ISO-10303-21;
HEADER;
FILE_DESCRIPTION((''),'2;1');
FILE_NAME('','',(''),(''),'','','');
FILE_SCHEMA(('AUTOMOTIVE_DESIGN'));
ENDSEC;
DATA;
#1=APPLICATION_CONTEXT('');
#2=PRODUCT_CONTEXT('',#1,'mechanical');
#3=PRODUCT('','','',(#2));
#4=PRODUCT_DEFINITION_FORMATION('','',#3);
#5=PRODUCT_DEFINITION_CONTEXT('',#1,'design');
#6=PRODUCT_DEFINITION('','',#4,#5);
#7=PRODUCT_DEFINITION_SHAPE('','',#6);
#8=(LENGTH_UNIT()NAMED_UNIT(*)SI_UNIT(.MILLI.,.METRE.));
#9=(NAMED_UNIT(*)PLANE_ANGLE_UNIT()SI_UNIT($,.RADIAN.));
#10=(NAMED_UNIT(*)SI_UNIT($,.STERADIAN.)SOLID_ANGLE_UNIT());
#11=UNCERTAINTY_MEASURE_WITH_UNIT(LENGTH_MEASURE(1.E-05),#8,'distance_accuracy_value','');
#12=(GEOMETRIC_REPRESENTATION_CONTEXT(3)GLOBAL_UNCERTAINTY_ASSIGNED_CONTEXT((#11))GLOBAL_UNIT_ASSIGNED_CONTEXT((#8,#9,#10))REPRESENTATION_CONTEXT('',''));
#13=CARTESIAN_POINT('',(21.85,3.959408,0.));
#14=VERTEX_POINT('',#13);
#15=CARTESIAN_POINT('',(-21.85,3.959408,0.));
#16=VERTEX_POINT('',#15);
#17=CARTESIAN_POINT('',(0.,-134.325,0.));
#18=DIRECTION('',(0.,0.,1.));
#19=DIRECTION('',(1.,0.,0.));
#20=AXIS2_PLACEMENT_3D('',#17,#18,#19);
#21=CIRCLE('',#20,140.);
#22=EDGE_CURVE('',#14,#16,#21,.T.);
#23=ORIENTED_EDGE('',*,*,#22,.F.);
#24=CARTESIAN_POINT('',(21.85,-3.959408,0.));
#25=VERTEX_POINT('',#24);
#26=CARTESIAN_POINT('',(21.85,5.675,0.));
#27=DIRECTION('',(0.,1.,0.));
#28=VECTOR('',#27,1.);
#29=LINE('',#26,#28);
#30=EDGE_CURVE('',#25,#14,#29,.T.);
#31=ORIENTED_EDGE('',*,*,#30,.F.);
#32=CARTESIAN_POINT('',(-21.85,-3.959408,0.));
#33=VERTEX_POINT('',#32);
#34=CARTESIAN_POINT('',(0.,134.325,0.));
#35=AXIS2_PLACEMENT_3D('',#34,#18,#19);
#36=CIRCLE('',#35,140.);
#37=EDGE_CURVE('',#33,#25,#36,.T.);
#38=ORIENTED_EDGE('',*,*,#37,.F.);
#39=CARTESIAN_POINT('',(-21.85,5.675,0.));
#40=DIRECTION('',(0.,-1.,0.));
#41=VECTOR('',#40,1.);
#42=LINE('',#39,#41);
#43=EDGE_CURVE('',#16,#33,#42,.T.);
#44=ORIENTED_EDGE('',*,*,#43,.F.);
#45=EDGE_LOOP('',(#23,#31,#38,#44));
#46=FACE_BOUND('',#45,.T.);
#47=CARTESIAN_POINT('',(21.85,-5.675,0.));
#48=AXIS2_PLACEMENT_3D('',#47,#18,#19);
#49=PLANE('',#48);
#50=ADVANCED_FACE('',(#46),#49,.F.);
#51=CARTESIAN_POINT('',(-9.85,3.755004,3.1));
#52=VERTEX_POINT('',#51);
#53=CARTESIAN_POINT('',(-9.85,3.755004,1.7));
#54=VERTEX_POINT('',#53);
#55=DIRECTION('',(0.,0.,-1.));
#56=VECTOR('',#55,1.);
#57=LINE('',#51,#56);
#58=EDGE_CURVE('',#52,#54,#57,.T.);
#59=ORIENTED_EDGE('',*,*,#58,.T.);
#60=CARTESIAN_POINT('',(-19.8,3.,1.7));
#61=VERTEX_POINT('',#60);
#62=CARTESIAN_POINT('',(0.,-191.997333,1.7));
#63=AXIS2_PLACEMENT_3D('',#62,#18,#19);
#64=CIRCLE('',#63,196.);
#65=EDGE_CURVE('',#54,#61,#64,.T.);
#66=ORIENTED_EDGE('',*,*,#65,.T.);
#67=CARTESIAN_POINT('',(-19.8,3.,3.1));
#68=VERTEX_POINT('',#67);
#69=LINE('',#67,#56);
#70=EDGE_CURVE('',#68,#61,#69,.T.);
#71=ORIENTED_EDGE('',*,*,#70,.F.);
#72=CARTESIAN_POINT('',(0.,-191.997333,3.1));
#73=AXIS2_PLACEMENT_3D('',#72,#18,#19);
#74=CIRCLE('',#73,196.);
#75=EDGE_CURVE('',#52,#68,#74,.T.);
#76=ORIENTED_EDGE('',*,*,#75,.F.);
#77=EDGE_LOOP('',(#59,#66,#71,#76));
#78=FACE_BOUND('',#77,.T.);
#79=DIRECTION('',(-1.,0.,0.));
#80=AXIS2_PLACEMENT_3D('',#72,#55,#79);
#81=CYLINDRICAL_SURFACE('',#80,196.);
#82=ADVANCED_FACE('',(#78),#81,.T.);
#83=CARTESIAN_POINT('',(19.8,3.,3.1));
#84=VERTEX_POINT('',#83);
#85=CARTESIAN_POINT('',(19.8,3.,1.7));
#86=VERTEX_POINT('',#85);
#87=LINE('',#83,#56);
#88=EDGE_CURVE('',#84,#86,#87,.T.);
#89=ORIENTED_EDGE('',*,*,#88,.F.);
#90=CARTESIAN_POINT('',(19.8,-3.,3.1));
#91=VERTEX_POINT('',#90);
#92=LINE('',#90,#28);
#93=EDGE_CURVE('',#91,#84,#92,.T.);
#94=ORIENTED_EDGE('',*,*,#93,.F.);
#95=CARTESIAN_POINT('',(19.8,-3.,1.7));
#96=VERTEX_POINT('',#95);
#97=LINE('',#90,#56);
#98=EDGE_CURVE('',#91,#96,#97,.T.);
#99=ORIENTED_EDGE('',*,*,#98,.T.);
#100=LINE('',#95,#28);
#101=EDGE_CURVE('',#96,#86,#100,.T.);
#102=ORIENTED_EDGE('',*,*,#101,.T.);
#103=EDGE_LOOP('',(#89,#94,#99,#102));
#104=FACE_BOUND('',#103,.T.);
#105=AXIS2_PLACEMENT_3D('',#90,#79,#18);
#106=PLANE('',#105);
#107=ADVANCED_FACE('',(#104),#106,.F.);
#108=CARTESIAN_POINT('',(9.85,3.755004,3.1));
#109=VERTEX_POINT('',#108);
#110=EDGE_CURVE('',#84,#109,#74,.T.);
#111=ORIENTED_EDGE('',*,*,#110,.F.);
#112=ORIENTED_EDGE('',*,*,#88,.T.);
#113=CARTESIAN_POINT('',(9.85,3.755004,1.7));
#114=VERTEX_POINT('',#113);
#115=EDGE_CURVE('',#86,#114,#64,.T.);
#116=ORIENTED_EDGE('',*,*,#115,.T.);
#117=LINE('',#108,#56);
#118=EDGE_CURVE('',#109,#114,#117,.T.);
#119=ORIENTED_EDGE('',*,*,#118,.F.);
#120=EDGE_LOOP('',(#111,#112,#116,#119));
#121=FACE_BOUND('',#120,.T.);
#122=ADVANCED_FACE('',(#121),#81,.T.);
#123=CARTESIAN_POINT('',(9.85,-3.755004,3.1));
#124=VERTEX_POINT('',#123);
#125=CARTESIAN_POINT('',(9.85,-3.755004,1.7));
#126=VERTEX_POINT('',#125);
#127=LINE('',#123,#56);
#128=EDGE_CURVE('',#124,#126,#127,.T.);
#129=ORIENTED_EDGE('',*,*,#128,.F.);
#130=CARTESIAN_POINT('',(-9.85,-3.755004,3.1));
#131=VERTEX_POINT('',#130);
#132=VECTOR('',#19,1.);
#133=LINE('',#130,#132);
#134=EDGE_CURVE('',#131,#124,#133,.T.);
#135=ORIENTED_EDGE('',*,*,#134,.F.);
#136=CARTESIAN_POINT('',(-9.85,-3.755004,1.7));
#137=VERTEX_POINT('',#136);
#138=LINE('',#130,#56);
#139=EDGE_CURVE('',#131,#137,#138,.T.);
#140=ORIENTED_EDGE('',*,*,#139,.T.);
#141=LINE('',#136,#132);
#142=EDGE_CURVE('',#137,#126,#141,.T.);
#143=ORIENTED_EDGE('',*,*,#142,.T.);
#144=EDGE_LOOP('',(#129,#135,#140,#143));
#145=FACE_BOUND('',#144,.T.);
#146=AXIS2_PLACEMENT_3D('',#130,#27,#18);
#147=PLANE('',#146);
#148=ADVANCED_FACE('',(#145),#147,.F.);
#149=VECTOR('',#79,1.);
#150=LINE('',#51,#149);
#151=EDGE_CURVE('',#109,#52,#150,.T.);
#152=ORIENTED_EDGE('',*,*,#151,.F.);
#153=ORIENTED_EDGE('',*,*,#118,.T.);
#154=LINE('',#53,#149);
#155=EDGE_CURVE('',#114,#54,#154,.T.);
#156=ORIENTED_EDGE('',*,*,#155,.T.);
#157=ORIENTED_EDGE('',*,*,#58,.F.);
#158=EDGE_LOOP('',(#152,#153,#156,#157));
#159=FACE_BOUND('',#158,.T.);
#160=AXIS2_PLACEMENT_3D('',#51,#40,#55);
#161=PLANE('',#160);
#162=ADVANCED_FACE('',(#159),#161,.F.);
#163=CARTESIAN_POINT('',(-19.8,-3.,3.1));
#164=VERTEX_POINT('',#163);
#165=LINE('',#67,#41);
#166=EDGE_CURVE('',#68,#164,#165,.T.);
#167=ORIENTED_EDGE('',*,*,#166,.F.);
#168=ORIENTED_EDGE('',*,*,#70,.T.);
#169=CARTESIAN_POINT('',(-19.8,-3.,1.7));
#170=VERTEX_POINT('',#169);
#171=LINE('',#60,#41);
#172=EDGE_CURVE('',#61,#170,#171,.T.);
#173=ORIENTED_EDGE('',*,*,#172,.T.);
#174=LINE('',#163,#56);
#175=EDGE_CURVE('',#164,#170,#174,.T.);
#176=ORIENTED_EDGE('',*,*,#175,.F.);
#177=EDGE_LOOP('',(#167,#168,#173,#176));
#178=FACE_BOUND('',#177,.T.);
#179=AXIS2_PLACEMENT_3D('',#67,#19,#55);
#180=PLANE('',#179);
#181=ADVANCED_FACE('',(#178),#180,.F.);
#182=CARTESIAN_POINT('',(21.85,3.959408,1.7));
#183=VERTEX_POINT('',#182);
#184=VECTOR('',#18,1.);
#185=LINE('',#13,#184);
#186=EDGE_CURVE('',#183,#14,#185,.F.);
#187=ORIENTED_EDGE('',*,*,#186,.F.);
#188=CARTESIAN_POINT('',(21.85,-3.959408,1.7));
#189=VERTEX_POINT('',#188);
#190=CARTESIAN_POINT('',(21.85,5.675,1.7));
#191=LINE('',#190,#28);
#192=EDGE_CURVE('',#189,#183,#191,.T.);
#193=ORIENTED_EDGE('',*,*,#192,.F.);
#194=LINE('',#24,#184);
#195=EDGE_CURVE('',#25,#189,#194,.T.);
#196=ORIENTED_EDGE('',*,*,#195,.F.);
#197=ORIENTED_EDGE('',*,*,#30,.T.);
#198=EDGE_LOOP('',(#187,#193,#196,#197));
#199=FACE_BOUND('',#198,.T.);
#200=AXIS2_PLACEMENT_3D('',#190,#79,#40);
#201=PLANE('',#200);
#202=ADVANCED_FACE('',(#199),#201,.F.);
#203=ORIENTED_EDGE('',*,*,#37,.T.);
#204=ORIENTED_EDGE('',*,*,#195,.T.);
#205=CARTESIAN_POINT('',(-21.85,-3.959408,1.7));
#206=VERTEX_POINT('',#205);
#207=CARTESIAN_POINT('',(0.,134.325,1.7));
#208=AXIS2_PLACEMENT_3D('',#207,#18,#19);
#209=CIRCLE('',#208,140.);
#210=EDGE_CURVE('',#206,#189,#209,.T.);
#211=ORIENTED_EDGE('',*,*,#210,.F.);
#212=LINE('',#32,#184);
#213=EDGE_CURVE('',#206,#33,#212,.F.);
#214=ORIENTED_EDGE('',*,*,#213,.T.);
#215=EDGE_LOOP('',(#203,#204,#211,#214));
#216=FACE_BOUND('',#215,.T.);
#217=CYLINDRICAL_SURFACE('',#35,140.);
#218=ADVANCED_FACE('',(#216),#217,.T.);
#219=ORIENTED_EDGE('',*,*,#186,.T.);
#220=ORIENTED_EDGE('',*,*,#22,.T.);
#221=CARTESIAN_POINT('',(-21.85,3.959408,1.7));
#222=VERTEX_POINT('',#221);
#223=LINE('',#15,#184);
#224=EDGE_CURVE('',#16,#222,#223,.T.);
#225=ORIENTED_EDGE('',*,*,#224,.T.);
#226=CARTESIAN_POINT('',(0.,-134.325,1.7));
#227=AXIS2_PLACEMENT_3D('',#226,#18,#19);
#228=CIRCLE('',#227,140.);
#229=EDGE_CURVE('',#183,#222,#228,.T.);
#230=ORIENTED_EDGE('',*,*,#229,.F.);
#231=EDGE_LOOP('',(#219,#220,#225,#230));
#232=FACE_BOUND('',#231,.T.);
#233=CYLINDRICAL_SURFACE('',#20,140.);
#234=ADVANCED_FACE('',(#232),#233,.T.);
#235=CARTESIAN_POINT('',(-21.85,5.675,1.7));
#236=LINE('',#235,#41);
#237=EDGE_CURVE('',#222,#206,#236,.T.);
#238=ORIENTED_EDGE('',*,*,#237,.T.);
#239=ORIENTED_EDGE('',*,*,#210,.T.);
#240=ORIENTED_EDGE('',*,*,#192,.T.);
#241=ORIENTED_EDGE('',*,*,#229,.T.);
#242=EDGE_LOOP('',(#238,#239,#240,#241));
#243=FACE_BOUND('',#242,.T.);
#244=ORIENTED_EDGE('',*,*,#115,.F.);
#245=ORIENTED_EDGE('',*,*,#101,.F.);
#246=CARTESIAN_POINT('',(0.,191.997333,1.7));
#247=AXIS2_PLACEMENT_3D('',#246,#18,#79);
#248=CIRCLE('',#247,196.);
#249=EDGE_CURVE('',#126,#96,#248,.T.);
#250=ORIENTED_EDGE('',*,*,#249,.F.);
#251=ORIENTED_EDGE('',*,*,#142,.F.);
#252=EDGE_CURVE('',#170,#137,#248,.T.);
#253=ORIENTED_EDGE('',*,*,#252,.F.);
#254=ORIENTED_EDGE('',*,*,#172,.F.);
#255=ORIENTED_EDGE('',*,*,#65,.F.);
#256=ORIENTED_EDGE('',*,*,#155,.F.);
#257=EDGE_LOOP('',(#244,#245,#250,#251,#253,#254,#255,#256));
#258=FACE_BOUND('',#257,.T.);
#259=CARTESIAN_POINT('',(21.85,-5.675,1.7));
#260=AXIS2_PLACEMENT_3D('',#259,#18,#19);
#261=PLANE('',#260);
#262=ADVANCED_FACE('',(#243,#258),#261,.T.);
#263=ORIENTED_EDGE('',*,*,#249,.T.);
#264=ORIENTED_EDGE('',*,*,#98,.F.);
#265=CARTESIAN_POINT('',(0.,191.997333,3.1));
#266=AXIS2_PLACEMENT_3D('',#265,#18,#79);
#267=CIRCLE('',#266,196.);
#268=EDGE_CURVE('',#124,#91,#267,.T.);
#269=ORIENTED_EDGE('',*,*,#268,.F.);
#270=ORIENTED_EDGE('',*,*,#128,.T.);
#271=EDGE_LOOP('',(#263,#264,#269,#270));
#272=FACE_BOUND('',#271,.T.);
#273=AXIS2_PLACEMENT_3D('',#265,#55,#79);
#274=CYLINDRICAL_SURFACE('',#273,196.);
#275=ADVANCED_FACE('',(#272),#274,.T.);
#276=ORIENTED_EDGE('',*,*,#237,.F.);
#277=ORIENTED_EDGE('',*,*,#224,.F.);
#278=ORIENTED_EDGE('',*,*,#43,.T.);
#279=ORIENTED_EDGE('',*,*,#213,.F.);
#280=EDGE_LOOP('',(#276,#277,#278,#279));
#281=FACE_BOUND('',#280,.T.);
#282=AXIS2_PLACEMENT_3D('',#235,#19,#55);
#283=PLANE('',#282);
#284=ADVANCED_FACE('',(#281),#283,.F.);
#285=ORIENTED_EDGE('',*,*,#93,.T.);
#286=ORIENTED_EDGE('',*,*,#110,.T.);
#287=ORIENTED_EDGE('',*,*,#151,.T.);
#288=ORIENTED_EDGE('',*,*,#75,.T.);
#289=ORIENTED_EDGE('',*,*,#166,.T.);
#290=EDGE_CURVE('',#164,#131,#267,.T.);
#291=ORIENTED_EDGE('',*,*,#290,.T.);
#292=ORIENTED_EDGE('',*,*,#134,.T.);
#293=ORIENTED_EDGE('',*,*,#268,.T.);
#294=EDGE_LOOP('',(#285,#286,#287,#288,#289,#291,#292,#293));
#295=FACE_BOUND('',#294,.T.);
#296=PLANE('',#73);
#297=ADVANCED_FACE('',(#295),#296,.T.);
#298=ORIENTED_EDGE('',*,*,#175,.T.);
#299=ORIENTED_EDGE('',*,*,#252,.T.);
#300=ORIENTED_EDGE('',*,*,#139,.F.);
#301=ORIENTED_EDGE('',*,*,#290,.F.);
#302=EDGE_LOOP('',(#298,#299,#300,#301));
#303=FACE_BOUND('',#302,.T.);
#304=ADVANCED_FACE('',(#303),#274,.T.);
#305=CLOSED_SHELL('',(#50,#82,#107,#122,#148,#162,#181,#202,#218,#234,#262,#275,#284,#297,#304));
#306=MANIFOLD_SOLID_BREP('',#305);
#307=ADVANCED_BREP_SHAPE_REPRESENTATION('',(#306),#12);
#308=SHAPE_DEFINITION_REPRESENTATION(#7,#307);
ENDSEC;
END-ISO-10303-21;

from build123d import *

# Parameters (mm, degrees)
SKETCH_1_W          = 43.7
SKETCH_1_H          = 11.35
EXTRUDE_1_DEPTH     = 1.7
SKETCH_2_OUTSIDE_W  = 54.736
SKETCH_2_OUTSIDE_H  = 22.386
CUT_EXTRUDE_3_DEPTH = 23.638863156
EXTRUDE_4_DEPTH     = 1.4


with BuildPart() as part:
    # Эскиз1 → Вытянуть1 (new body)
    with BuildSketch(Plane.XY):
        Rectangle(SKETCH_1_W, SKETCH_1_H)
    extrude(amount=EXTRUDE_1_DEPTH)

    # Эскиз2 outside → Вытянуть3 (cut, through all)
    with BuildSketch(Plane.XY.offset(1.7)):
        Rectangle(SKETCH_2_OUTSIDE_W, SKETCH_2_OUTSIDE_H)
        with BuildLine():
            ThreePointArc((39.456233665, 0), (0, 5.675), (-39.456233665, 0))
            ThreePointArc((-39.456233665, 0), (0, -5.675), (39.456233665, 0))
        make_face(mode=Mode.SUBTRACT)
    extrude(amount=-CUT_EXTRUDE_3_DEPTH, mode=Mode.SUBTRACT)

    # Эскиз3 → Вытянуть4 (add)
    with BuildSketch(Plane.XY.offset(1.7)):
        with BuildLine():
            Line((-9.85, 3.755003836), (9.85, 3.755003836))
            ThreePointArc((9.85, 3.755003836), (14.829805552, 3.440833038), (19.8, 3))
            Line((19.8, 3), (19.8, -3))
            ThreePointArc((19.8, -3), (14.829805552, -3.440833038), (9.85, -3.755003836))
            Line((9.85, -3.755003836), (-9.85, -3.755003836))
            ThreePointArc((-9.85, -3.755003836), (-14.829805552, -3.440833038), (-19.8, -3))
            Line((-19.8, -3), (-19.8, 3))
            ThreePointArc((-19.8, 3), (-14.829805552, 3.440833038), (-9.85, 3.755003836))
        make_face()
    extrude(amount=EXTRUDE_4_DEPTH)


solid = part.part
